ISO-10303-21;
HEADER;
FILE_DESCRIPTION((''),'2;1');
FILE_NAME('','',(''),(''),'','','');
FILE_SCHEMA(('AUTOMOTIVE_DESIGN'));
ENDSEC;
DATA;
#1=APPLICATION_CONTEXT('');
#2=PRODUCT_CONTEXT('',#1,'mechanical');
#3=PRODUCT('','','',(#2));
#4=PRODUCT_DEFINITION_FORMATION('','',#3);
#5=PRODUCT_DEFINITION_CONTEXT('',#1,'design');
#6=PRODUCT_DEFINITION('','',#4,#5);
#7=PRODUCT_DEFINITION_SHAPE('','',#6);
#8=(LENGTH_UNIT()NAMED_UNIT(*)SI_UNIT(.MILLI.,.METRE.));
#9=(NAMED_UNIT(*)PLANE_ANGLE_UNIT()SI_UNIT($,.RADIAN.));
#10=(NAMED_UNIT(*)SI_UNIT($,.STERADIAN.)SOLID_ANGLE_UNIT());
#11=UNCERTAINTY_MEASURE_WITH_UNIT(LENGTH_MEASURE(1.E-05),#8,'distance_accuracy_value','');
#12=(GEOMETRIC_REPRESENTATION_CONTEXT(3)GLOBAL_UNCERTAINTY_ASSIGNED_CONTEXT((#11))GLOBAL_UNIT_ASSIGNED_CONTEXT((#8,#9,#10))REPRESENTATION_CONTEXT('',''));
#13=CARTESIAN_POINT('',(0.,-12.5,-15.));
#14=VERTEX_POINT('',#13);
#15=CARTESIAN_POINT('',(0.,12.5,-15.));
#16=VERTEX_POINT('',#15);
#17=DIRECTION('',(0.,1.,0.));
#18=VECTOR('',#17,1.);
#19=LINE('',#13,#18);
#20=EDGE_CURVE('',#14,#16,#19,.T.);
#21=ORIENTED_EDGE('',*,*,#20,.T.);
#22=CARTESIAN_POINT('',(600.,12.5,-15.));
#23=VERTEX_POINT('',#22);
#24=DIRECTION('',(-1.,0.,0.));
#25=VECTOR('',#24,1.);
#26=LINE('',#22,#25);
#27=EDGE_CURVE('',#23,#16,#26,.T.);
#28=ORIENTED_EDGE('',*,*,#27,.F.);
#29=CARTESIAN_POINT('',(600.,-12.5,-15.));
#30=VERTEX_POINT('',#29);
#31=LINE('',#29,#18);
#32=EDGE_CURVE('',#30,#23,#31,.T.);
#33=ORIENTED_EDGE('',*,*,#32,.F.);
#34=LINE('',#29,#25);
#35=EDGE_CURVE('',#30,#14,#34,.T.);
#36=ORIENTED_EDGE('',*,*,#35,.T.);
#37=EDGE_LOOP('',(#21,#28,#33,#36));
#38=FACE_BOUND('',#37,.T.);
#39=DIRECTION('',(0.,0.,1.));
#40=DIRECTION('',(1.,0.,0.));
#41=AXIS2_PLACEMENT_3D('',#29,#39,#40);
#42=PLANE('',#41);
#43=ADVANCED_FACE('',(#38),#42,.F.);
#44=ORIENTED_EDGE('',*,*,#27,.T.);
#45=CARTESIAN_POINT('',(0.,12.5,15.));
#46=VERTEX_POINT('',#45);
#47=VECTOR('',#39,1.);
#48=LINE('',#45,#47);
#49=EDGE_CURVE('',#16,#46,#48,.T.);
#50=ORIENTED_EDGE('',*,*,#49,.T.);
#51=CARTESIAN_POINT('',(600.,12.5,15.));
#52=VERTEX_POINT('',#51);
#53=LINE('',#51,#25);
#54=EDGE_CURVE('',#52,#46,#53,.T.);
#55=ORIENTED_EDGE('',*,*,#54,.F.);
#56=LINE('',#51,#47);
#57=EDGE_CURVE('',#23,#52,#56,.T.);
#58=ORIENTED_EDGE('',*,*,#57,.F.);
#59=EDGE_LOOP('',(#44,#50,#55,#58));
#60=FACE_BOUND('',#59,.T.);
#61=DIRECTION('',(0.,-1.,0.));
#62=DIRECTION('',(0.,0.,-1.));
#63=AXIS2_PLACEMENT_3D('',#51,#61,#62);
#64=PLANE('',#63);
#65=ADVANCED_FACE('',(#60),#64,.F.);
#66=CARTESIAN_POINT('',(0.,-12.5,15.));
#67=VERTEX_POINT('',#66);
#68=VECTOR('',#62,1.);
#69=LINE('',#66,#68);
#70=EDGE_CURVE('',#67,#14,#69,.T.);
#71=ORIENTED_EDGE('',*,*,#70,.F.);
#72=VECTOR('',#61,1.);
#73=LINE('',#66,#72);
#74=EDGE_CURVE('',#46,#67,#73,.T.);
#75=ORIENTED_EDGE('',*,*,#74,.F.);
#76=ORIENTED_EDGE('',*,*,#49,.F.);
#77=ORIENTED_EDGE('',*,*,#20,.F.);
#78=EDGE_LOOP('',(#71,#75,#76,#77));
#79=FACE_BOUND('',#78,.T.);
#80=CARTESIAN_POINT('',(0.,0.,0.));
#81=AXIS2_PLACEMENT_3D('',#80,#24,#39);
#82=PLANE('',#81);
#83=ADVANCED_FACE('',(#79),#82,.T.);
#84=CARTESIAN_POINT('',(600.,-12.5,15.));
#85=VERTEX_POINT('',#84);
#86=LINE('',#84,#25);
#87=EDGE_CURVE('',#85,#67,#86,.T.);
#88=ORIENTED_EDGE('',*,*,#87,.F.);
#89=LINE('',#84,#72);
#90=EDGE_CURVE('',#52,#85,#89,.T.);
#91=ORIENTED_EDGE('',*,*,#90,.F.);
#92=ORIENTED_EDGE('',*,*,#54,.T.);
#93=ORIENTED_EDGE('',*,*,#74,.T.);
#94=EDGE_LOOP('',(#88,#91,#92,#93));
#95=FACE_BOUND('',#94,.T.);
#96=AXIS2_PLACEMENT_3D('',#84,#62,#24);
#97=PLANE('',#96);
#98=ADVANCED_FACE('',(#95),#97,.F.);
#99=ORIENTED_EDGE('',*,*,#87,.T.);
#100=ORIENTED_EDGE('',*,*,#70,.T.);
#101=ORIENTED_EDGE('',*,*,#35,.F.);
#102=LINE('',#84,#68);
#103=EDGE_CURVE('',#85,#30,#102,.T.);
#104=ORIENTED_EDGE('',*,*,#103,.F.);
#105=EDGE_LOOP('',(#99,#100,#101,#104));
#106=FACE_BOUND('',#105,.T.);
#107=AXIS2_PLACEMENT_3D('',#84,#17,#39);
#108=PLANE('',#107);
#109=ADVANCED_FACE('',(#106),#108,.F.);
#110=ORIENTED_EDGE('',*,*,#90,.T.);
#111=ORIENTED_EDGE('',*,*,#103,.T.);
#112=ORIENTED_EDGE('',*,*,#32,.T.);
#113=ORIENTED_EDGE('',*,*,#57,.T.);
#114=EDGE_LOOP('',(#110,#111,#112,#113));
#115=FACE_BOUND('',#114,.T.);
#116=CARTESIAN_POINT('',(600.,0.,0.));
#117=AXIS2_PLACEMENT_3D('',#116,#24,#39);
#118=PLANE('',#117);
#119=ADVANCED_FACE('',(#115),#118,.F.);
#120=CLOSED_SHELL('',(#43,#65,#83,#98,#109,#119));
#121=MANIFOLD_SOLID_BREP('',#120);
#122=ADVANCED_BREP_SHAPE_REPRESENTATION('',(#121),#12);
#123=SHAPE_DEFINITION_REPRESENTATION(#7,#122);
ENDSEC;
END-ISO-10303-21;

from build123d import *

# Parameters (mm, degrees)
SKETCH_2_W      = 30
SKETCH_2_H      = 25
EXTRUDE_1_DEPTH = 600


with BuildPart() as part:
    # Эскиз2 → Бобышка-Вытянуть1 (new body)
    with BuildSketch(Plane(origin=(0, 0, 0), x_dir=(0, 0, -1), z_dir=(1, 0, 0))):
        Rectangle(SKETCH_2_W, SKETCH_2_H)
    extrude(amount=EXTRUDE_1_DEPTH)


solid = part.part
